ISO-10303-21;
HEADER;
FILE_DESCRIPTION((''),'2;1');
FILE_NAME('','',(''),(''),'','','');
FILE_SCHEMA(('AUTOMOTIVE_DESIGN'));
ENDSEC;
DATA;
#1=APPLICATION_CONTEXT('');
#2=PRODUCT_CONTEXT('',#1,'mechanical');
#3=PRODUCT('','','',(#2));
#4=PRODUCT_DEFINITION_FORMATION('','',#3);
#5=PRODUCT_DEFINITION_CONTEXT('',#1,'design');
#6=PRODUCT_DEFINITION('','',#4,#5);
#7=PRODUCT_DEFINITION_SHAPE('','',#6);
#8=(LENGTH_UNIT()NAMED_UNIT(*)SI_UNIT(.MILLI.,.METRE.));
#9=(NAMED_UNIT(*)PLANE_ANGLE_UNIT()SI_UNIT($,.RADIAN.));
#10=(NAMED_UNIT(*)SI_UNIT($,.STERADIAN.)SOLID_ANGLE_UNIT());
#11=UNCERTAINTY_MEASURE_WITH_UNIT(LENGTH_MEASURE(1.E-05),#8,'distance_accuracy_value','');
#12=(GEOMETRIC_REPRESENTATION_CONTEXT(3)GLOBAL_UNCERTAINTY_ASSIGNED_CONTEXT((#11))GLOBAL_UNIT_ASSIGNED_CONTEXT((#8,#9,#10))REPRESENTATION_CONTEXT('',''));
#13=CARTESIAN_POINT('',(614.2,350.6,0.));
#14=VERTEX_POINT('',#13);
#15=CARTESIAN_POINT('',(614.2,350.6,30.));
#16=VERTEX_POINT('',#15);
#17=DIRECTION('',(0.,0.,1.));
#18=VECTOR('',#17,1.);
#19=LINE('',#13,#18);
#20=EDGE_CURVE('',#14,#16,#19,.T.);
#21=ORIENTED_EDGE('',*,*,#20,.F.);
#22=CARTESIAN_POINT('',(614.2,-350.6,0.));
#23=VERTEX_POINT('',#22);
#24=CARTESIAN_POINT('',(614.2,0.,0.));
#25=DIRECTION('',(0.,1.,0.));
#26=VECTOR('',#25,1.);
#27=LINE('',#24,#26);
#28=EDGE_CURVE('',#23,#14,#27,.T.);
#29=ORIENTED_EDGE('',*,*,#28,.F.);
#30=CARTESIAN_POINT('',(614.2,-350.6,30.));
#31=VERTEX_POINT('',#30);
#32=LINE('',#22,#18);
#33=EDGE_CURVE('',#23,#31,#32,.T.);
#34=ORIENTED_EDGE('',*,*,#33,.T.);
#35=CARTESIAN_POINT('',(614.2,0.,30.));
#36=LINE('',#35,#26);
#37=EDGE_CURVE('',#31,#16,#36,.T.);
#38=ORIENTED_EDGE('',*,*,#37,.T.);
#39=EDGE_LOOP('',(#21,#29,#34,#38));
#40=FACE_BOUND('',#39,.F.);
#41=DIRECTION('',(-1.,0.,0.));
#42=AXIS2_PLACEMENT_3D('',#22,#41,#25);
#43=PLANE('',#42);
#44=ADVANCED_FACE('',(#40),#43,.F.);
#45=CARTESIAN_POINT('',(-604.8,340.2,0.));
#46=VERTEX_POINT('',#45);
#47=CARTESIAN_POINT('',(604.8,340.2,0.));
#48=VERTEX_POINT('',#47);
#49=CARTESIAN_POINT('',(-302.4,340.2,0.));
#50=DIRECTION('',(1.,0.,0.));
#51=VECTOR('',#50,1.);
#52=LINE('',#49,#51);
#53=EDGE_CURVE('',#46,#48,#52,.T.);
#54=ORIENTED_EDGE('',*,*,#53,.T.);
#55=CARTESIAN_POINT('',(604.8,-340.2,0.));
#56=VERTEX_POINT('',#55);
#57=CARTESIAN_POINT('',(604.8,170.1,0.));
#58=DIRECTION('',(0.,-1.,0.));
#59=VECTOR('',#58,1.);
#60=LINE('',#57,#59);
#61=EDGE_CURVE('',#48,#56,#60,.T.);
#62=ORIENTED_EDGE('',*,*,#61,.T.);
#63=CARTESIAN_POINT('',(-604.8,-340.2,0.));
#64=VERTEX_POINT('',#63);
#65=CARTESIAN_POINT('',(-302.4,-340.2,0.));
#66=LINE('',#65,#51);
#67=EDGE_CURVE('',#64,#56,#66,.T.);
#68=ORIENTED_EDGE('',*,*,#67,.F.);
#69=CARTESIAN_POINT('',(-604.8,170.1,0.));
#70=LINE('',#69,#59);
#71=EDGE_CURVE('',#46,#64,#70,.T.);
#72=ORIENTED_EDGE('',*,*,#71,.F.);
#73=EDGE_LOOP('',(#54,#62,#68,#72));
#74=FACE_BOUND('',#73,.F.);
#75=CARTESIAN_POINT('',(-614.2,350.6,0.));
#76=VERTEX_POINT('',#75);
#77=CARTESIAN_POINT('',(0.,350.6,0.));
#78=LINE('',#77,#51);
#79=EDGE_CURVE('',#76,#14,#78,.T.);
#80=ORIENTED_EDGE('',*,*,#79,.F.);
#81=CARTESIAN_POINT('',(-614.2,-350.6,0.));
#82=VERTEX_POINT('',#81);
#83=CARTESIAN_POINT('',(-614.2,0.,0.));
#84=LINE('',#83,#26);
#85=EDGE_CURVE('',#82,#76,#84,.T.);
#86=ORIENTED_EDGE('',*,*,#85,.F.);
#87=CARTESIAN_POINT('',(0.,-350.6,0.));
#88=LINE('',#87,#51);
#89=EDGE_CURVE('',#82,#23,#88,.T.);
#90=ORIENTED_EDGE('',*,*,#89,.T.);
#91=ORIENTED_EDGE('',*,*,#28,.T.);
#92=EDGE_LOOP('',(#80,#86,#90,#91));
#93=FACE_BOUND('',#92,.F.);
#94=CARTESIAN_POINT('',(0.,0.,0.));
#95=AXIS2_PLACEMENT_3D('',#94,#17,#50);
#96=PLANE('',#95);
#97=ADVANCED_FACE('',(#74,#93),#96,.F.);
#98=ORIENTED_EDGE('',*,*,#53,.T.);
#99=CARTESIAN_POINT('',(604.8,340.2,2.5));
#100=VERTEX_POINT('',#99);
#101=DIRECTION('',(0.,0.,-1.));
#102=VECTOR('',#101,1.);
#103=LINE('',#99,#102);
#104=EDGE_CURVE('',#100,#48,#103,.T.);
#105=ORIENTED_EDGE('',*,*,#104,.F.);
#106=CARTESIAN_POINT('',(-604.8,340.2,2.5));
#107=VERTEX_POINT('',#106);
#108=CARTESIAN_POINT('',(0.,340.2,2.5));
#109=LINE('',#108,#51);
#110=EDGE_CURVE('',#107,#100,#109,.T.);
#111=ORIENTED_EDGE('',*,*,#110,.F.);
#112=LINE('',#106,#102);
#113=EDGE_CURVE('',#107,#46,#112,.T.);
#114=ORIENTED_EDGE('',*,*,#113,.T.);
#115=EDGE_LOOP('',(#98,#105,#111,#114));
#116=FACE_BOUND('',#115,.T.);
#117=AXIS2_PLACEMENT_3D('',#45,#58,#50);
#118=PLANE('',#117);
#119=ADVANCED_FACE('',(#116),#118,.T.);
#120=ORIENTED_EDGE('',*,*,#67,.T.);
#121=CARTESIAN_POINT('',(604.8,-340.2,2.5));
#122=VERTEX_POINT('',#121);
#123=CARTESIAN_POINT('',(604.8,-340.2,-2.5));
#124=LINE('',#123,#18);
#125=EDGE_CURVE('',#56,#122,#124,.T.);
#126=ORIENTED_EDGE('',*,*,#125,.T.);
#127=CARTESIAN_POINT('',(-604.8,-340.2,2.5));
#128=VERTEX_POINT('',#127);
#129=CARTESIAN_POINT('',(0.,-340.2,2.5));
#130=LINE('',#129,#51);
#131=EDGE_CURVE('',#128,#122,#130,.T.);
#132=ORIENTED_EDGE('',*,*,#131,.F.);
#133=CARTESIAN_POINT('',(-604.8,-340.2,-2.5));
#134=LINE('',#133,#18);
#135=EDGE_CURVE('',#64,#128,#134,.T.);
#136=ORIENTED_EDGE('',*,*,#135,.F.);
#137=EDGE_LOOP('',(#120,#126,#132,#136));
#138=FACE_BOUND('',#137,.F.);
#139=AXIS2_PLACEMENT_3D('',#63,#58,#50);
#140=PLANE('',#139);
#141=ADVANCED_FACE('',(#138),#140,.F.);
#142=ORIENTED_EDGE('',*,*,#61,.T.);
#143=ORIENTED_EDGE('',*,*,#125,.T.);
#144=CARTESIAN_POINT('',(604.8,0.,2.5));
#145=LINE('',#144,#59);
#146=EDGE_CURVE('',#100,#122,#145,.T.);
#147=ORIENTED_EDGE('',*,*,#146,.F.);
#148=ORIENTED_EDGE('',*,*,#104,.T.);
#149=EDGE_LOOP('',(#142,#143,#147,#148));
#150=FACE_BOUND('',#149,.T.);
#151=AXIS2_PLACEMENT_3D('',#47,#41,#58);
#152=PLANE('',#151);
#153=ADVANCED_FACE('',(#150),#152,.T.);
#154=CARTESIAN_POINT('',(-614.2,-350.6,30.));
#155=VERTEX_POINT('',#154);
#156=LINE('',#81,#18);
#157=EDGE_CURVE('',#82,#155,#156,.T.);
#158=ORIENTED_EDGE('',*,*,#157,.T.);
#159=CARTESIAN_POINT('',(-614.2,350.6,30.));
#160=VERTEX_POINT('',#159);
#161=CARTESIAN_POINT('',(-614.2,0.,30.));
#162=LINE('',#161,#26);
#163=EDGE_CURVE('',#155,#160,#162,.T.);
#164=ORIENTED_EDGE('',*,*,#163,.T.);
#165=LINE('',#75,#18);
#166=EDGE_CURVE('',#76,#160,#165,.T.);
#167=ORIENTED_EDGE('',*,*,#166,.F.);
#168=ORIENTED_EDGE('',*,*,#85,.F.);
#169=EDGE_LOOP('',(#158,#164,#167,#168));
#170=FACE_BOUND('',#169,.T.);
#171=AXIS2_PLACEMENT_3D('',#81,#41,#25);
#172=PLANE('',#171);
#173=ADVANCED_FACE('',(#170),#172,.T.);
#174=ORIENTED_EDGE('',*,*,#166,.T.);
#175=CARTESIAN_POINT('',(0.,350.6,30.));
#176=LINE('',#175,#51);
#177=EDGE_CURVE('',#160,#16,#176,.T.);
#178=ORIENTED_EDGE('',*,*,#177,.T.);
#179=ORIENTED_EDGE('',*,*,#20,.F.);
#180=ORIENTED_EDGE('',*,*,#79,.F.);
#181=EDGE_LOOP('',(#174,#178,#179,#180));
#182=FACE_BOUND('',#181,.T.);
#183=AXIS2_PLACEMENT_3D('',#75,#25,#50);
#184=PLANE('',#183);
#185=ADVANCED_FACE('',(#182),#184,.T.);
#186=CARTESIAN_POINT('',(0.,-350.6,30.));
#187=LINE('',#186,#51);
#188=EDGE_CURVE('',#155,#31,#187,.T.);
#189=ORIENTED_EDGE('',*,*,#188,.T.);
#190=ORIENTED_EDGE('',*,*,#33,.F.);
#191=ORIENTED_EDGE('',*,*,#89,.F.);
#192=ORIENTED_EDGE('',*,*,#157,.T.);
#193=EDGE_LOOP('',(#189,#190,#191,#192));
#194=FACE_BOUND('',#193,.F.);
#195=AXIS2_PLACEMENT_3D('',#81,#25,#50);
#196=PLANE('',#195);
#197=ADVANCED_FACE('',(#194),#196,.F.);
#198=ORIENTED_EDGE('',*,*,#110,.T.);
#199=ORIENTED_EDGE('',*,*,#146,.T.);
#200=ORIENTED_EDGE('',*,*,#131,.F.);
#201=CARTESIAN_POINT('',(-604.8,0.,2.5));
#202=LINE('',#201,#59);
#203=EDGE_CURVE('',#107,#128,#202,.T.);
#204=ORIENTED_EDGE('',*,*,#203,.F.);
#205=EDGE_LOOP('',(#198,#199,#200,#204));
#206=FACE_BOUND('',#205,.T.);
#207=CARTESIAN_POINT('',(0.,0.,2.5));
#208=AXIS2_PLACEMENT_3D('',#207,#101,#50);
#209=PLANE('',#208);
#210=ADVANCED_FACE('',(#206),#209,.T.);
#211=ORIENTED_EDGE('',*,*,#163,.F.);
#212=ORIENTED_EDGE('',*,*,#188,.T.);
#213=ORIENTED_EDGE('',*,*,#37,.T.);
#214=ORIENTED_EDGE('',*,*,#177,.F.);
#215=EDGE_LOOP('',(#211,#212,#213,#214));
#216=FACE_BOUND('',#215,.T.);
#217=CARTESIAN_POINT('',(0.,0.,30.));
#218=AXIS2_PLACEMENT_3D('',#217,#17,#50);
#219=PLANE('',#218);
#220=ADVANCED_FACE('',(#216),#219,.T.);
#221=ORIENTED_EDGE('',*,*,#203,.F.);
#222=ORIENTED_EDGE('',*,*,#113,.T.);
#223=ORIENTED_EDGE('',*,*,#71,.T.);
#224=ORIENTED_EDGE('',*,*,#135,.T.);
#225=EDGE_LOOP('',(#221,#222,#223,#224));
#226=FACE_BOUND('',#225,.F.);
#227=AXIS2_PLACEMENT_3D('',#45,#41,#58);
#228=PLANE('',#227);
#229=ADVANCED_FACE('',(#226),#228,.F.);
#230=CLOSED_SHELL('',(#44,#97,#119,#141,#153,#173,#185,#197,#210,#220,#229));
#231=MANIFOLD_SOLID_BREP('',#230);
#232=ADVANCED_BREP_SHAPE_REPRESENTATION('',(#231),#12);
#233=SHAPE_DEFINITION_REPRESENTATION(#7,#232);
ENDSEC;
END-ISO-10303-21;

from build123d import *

# Parameters (mm, degrees)
F0_W     = 1228.4
F0_H     = 701.2
F1_DEPTH = 30
F2_W     = 1209.6
F2_H     = 680.4
F3_DEPTH = 2.5


with BuildPart() as f1:
    # F0 (on Top) → F1 (new body)
    with BuildSketch(Plane.XY):
        Rectangle(F0_W, F0_H)
    extrude(amount=F1_DEPTH)

    # F2 (on face) → F3 (cut, symmetric)
    with BuildSketch(Plane(origin=(0, 0, 0), x_dir=(1, 0, 0), z_dir=(0, 0, -1))):
        Rectangle(F2_W, F2_H)
    extrude(amount=-F3_DEPTH, both=True, mode=Mode.SUBTRACT)


solid = f1.part
